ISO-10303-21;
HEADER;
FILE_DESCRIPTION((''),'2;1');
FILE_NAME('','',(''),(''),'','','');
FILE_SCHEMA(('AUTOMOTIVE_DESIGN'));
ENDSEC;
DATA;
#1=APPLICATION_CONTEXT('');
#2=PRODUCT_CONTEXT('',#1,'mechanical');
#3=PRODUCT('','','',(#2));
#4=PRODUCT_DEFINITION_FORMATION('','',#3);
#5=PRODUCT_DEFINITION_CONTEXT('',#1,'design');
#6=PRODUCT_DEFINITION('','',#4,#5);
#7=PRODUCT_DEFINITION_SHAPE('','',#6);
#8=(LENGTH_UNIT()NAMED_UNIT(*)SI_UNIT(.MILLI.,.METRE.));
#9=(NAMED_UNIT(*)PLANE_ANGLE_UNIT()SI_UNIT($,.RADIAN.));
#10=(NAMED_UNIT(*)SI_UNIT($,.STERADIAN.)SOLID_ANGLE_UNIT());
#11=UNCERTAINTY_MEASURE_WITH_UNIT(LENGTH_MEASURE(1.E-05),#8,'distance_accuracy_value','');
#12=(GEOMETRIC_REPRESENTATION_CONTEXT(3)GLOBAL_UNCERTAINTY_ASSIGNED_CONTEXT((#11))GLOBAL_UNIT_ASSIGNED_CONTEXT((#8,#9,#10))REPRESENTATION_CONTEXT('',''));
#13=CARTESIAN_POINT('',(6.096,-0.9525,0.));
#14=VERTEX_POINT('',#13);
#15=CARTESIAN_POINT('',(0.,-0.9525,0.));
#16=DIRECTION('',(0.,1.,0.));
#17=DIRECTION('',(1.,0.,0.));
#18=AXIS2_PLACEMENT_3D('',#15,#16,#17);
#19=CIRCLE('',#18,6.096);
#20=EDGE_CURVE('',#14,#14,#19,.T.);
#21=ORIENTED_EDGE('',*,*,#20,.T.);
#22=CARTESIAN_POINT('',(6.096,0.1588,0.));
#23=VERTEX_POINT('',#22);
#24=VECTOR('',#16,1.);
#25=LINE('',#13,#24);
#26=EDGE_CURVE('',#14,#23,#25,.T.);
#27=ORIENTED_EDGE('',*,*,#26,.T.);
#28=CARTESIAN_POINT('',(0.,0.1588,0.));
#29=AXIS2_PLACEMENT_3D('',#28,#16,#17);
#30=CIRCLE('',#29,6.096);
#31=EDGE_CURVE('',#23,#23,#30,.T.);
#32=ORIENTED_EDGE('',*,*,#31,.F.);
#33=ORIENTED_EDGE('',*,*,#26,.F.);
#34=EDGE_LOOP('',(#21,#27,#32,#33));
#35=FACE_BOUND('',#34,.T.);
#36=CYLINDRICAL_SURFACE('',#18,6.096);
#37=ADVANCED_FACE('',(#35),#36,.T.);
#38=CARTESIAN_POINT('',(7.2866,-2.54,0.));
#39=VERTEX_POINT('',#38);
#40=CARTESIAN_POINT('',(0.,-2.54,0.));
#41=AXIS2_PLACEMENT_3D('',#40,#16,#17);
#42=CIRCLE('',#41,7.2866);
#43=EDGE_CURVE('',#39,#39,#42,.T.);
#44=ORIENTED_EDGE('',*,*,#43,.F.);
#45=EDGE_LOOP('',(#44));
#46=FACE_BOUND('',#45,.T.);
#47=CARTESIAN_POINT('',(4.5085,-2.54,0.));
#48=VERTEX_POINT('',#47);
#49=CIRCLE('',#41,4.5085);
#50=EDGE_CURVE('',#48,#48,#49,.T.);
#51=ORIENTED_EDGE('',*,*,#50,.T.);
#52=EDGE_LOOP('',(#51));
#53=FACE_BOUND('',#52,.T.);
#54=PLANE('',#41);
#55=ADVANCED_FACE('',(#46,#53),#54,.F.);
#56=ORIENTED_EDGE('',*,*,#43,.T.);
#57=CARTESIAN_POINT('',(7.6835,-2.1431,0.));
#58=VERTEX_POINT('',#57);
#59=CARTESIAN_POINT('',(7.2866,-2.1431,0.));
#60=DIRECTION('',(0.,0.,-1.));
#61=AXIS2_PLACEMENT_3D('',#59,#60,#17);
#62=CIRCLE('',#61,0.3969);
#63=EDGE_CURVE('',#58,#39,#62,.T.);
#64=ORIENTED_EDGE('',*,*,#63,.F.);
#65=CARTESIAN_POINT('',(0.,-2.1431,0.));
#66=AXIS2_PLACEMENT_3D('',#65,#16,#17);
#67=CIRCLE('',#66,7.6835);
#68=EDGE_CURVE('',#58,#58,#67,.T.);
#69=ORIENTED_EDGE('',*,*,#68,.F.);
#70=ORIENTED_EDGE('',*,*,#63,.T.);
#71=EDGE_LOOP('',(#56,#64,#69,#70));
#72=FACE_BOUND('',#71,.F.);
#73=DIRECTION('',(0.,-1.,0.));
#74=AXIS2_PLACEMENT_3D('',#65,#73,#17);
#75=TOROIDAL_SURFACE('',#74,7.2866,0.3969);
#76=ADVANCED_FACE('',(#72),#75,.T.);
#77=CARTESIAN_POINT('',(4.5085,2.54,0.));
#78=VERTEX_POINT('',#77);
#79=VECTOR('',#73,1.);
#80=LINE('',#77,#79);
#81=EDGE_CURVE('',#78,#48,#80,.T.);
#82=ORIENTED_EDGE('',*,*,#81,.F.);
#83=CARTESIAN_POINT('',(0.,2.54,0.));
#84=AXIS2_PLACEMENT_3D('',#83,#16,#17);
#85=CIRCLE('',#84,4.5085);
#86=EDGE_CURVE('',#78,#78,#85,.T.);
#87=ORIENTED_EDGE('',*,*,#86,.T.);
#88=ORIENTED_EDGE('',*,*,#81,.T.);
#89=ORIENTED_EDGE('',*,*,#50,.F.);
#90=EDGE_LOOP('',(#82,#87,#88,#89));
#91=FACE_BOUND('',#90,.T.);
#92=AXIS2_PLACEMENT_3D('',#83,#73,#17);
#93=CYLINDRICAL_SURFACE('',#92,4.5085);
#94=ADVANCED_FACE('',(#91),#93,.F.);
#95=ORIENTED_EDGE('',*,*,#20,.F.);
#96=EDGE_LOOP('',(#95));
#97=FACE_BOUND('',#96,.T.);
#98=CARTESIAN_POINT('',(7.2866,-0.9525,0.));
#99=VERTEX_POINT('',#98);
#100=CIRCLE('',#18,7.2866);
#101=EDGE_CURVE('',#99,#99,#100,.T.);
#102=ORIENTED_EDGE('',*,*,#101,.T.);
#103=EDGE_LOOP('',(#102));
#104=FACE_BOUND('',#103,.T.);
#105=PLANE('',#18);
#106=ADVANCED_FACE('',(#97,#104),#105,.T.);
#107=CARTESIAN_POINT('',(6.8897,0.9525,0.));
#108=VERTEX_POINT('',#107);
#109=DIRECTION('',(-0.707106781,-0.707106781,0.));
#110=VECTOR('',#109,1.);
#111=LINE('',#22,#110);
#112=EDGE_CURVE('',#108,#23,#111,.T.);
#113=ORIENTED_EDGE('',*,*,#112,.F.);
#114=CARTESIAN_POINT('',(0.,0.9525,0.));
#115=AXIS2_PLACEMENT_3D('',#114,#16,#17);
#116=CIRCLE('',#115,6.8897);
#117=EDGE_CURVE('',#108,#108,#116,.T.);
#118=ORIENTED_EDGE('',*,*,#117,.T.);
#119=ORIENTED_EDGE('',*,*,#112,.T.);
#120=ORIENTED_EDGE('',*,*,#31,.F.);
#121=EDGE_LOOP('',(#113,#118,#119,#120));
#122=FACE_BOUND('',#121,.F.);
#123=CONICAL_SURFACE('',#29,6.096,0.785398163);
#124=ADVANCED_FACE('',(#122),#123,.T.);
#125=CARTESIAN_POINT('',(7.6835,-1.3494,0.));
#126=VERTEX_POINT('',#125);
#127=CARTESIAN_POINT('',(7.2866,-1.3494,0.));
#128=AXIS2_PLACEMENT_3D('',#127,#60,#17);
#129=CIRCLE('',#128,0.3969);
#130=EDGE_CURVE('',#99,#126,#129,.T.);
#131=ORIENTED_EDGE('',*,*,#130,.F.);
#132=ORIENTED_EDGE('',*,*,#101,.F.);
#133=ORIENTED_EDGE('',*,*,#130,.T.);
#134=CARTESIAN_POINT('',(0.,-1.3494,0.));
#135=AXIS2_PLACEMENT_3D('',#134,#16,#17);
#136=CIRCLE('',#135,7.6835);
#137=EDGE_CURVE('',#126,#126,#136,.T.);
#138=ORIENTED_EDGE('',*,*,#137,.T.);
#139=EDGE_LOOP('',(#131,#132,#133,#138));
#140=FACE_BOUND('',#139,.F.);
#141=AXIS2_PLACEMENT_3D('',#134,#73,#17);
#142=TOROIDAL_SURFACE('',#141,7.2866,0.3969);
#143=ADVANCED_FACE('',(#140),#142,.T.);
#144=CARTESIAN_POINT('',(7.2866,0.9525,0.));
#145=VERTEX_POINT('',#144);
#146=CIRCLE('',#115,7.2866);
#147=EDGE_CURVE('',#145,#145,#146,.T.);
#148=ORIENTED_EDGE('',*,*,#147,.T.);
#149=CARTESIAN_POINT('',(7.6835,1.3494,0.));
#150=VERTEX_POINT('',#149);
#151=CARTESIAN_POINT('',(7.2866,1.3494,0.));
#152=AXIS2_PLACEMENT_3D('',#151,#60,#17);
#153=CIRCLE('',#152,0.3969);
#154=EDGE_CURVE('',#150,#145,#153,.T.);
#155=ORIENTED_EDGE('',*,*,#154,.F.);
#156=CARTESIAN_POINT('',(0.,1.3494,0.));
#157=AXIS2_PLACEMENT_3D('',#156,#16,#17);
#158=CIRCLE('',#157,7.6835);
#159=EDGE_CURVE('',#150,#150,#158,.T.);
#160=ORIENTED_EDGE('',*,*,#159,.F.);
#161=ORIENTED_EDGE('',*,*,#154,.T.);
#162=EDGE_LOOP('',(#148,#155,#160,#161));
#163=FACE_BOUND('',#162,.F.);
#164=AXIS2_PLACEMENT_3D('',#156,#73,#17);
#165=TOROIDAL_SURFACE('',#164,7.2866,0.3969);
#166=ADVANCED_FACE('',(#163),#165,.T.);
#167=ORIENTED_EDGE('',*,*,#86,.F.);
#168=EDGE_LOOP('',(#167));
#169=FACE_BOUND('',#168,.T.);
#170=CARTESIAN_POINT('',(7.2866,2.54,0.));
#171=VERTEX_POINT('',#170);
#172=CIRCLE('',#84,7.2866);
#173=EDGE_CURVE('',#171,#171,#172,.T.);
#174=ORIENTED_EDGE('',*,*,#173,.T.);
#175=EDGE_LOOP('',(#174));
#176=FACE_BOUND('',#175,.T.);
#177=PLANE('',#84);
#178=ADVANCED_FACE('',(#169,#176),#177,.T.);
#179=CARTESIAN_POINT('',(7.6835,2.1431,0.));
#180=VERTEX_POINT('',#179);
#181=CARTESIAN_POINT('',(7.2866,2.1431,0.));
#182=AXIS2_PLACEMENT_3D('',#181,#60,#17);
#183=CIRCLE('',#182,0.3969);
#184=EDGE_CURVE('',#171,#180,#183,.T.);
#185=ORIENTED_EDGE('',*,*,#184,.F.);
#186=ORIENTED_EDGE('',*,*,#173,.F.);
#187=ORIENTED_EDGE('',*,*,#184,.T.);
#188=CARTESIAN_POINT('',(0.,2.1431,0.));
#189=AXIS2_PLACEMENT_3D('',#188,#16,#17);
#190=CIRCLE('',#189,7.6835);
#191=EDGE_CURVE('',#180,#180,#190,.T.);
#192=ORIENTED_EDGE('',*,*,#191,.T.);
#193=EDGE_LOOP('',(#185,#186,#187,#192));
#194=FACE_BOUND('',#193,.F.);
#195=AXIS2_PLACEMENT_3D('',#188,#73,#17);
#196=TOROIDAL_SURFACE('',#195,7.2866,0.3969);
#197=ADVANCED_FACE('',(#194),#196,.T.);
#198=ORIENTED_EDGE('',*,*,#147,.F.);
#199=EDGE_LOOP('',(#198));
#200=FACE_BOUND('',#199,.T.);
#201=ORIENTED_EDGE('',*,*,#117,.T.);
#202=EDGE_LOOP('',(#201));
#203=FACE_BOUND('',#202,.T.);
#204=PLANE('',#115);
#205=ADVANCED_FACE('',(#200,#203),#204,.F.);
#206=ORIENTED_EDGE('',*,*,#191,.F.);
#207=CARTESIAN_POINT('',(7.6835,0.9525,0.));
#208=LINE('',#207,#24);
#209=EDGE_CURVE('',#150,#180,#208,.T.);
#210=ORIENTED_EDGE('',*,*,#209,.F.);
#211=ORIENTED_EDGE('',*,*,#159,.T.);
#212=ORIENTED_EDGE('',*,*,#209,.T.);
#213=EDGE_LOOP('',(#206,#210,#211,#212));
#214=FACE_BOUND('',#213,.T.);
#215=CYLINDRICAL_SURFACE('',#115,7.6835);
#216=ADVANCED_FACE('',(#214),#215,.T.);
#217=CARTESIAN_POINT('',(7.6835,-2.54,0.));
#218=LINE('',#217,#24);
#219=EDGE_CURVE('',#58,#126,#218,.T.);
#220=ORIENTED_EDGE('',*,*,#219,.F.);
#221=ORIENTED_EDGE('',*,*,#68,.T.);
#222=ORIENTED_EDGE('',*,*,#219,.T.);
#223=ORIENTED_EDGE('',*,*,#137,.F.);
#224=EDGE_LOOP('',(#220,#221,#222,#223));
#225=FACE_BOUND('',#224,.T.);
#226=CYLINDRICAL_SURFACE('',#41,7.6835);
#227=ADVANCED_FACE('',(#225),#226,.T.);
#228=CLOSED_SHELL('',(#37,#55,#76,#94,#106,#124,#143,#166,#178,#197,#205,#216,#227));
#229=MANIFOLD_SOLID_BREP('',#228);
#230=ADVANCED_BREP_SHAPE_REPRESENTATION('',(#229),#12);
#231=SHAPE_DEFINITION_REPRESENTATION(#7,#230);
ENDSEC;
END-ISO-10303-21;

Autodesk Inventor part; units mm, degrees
ref_plane "YZ Plane" through (0, 0, 0) normal (1, 0, 0) x (0, 1, 0)
ref_plane "XZ Plane" through (0, 0, 0) normal (0, 1, 0) x (-1, 0, 0)
ref_plane "XY Plane" through (0, 0, 0) normal (0, 0, 1) x (1, 0, 0)
sketch "Sketch1" plane through (0, 0, 0) normal (0, 0, 1) x (1, 0, 0)
  line L0 (4.5085, 2.54) -> (4.5085, -2.54)
  line L1 (4.5085, -2.54) -> (7.6835, -2.54)
  line L2 (7.6835, -2.54) -> (7.6835, -0.9525)
  line L3 (7.6835, -0.9525) -> (6.096, -0.9525)
  line L4 (6.096, -0.9525) -> (6.096, 0.9525)
  line L5 (6.096, 0.9525) -> (7.6835, 0.9525)
  line L6 (7.6835, 0.9525) -> (7.6835, 2.54)
  line L7 (7.6835, 2.54) -> (4.5085, 2.54)
  line L8 (0, 0) -> (0, 2.54) construction
  point P0 (4.5085, 0)
  point P1 (6.096, 0)
  dimension "d0" = 6.096
  dimension "d1" = 1.905
  dimension "d2" = 5.08
  dimension "d3" = 1.5875
  dimension "d4" = 1.5875
  dimension "d5" = 1.5875
revolve "Revolution1" add sketch "Sketch1" angle 360 about axis through (0, 0, 0) along (0, 1, 0)
fillet "Fillet1" radius 0.3969 4 edges at (-7.6835, -0.9525, 0) (-7.6835, -2.54, 0) (-7.6835, 0.9525, 0) (-7.6835, 2.54, 0)
chamfer "Chamfer1" distance 0.7937 angle 45 1 edges at (-6.096, 0.9525, 0) measured on face at (6.7601, 0.9525, 1.0676)
equation "\"d4\" = d3"
properties part number ".5 tpu grommet" material "Rubber, Black"
